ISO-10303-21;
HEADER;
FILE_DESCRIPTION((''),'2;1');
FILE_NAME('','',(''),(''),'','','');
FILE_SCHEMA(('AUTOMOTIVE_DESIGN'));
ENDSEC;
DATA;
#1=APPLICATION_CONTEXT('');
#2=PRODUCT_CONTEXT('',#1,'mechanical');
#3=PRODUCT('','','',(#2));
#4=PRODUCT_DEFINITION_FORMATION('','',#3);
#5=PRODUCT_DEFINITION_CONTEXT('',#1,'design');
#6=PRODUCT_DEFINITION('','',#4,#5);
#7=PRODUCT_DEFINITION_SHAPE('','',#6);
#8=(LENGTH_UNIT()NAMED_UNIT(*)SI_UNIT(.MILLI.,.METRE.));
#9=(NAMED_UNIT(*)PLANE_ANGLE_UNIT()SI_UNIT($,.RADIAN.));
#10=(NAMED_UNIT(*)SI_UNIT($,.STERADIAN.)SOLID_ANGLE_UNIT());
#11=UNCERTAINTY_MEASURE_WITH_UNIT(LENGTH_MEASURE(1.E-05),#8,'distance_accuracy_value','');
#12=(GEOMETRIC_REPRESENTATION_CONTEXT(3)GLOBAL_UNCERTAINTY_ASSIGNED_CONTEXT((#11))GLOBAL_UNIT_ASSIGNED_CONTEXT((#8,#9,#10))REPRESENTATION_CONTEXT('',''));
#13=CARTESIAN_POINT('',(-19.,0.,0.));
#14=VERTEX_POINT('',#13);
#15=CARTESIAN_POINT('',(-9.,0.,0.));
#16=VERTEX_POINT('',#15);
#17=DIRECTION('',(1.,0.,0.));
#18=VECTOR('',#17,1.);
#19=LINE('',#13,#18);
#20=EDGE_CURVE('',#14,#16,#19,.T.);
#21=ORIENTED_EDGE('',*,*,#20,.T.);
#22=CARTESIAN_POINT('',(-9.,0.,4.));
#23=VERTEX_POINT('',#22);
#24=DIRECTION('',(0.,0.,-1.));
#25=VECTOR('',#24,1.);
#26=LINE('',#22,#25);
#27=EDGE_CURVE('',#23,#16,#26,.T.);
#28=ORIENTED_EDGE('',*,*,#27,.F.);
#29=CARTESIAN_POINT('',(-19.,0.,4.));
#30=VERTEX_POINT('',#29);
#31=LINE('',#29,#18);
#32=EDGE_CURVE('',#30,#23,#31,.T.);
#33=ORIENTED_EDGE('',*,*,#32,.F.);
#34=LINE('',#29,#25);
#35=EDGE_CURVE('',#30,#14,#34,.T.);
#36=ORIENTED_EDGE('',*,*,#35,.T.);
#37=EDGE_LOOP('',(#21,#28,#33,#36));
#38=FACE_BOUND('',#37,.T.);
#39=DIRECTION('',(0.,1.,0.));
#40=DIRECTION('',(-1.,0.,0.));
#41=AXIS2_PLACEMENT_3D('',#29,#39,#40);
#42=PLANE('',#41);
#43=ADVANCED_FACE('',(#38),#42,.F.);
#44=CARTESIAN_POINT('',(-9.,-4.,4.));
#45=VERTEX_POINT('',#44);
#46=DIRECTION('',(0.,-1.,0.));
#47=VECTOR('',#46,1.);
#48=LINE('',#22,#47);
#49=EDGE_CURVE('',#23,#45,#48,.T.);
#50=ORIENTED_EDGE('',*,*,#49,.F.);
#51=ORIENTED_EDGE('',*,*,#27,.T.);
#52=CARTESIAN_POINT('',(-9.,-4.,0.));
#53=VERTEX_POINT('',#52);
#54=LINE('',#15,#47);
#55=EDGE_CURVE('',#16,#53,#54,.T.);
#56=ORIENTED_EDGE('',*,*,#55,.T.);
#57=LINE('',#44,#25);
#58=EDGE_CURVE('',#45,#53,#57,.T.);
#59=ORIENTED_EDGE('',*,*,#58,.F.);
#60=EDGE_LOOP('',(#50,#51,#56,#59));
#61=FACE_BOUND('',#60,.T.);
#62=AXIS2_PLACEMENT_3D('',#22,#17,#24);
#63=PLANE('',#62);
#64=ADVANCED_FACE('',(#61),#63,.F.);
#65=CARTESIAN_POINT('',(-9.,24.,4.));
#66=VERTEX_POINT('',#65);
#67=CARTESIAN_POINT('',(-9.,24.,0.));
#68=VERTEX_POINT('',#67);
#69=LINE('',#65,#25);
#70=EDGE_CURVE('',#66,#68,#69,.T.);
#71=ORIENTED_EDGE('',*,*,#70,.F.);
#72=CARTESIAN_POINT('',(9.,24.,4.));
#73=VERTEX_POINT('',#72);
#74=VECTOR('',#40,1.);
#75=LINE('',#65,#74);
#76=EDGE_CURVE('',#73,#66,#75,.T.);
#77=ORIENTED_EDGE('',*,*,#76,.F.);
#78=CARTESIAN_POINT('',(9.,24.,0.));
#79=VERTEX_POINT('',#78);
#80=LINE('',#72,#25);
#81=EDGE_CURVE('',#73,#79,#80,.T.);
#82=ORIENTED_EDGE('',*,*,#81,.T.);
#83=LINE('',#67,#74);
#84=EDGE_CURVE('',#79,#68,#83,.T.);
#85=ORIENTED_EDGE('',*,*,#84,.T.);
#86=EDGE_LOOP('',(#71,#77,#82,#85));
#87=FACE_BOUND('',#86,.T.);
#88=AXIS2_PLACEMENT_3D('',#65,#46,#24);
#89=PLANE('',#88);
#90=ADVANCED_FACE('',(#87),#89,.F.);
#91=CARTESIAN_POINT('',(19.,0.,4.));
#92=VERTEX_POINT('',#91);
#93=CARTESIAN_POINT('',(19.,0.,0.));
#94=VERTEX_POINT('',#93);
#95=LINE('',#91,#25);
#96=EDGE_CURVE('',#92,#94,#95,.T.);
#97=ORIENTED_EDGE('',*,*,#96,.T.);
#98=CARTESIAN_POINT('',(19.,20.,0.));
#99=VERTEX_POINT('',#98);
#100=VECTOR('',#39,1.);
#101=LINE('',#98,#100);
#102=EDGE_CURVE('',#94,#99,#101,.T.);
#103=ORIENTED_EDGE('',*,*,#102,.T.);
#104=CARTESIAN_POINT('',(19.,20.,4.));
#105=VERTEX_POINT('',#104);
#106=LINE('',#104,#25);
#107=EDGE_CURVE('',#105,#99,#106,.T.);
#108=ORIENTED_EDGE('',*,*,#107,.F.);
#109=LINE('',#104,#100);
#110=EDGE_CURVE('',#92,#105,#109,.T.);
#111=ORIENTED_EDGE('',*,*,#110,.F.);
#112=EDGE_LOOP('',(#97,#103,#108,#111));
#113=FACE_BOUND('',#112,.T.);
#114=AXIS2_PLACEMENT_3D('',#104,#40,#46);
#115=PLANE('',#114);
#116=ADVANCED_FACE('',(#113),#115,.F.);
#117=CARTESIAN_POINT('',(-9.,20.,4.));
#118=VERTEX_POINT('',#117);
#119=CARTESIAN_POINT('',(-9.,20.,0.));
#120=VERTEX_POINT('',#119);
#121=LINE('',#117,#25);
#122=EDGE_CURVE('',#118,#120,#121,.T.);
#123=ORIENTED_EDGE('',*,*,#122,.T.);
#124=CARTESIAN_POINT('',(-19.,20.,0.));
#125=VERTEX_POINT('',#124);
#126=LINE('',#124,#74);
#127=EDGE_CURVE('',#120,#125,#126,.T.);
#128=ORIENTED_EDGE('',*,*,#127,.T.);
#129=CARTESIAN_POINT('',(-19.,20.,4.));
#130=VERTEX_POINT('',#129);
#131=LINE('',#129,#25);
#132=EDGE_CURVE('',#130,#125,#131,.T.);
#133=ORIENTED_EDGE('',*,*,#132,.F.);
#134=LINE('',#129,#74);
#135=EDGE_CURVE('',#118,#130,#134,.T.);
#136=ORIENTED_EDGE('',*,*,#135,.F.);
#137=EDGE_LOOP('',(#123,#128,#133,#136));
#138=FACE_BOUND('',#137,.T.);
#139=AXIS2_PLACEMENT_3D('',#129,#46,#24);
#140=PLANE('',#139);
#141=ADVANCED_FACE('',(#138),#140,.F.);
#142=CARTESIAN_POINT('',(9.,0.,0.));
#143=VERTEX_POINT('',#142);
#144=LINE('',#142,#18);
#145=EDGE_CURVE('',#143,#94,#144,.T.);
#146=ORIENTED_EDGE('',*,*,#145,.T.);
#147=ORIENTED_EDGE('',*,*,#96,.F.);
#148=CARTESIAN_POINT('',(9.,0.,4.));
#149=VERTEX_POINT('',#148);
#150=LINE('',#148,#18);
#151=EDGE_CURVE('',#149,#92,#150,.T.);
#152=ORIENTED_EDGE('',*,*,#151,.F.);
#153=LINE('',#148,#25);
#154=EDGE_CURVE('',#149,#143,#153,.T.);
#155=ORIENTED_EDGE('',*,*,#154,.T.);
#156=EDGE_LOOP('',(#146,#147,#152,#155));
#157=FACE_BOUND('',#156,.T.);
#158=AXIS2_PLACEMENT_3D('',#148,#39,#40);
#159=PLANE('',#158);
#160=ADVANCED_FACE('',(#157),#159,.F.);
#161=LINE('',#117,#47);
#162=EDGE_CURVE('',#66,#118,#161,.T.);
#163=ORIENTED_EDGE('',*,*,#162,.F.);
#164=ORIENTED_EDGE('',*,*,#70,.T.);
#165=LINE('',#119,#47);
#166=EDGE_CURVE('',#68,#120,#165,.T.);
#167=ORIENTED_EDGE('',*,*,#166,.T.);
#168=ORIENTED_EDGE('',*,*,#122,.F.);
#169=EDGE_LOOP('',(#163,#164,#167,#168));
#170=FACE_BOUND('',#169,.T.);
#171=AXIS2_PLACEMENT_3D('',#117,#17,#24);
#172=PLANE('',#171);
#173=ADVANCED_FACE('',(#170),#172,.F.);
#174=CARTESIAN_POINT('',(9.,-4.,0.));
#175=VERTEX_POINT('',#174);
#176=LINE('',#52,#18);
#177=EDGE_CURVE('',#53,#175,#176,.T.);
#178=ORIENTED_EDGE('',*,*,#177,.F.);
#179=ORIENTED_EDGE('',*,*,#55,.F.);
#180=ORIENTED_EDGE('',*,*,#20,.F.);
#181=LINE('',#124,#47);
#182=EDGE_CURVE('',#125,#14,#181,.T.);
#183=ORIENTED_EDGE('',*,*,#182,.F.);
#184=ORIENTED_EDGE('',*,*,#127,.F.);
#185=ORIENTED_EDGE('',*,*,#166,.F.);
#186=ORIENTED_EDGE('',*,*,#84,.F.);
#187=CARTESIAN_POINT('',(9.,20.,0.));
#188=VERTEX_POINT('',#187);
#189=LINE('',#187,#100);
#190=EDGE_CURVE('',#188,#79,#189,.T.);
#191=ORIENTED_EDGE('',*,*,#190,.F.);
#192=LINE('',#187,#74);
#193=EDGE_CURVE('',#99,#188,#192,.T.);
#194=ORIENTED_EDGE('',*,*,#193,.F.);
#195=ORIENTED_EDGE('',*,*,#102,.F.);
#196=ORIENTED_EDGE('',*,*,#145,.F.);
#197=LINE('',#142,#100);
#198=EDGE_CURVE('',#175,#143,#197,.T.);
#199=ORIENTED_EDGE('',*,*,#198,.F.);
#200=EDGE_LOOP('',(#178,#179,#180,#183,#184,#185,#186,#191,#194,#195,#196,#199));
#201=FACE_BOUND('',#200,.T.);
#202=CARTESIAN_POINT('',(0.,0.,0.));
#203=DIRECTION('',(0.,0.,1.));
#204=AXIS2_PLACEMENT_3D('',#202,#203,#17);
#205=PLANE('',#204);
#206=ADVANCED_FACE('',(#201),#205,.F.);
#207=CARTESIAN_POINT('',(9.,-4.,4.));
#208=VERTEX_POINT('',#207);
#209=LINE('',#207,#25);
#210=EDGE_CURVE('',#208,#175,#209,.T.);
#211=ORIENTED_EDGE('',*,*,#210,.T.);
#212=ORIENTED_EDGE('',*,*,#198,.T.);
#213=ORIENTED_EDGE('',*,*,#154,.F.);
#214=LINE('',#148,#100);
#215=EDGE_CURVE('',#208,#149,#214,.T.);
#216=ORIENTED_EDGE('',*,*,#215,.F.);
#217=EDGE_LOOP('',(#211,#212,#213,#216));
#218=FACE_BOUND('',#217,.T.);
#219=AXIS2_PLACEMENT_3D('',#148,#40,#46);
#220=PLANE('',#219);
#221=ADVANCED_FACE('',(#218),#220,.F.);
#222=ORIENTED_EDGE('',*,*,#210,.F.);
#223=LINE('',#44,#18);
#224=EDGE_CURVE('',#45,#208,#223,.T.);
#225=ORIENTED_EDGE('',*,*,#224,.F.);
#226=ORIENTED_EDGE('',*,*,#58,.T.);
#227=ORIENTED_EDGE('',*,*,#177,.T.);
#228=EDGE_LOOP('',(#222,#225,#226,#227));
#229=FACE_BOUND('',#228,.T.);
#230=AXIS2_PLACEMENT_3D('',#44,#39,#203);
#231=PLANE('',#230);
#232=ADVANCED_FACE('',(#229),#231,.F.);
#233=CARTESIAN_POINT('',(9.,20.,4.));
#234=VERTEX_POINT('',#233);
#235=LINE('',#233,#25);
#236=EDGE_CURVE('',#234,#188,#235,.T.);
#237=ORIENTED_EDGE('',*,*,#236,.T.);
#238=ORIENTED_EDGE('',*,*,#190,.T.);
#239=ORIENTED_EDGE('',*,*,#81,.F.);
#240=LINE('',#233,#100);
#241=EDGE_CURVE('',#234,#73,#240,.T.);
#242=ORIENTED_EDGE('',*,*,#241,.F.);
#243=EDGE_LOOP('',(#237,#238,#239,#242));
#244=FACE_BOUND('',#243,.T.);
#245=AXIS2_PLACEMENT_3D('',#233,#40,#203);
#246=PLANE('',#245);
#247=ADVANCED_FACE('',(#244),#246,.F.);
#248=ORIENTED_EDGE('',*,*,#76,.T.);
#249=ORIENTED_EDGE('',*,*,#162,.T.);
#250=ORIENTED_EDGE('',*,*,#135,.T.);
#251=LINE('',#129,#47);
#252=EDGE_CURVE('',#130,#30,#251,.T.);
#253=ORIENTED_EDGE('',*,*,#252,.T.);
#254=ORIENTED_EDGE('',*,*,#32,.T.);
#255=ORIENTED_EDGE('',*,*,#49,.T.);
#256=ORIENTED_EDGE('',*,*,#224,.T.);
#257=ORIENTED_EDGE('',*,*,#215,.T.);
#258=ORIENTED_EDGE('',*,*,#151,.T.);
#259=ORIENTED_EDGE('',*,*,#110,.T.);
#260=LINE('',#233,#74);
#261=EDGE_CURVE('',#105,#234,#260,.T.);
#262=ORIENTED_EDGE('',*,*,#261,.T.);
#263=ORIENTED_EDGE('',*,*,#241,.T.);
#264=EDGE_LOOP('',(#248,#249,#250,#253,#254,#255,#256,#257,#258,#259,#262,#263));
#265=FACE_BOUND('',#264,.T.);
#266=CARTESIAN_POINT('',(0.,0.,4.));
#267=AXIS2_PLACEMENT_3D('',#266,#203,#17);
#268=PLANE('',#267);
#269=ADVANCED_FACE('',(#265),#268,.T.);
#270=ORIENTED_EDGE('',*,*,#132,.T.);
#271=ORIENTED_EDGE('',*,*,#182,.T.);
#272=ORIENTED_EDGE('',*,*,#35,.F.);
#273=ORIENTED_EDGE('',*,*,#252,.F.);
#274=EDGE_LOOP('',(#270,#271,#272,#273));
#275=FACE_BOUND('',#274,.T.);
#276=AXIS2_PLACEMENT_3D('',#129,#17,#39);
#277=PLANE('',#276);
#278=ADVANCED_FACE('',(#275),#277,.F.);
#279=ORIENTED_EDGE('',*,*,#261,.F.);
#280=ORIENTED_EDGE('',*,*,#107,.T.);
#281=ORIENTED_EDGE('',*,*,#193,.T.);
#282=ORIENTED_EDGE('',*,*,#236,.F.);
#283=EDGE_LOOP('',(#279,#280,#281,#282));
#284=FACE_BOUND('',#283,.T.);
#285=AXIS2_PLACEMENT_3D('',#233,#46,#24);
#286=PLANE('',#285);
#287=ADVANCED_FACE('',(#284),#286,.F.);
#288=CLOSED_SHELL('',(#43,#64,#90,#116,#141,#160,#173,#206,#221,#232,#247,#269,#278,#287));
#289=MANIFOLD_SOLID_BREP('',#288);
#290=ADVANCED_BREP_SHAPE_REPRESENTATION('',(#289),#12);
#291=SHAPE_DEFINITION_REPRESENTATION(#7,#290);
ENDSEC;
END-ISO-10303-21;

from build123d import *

# Parameters (mm, degrees)
BOSS_EXTRUDE1_DEPTH = 4


with BuildPart() as part:
    # Sketch1 → Boss-Extrude1 (new body)
    with BuildSketch(Plane.XY):
        Polygon((9, 0), (19, 0), (19, 20), (9, 20), (9, 24), (-9, 24), (-9, 20), (-19, 20), (-19, 0), (-9, 0), (-9, -4), (9, -4), align=None)
    extrude(amount=BOSS_EXTRUDE1_DEPTH)


solid = part.part
